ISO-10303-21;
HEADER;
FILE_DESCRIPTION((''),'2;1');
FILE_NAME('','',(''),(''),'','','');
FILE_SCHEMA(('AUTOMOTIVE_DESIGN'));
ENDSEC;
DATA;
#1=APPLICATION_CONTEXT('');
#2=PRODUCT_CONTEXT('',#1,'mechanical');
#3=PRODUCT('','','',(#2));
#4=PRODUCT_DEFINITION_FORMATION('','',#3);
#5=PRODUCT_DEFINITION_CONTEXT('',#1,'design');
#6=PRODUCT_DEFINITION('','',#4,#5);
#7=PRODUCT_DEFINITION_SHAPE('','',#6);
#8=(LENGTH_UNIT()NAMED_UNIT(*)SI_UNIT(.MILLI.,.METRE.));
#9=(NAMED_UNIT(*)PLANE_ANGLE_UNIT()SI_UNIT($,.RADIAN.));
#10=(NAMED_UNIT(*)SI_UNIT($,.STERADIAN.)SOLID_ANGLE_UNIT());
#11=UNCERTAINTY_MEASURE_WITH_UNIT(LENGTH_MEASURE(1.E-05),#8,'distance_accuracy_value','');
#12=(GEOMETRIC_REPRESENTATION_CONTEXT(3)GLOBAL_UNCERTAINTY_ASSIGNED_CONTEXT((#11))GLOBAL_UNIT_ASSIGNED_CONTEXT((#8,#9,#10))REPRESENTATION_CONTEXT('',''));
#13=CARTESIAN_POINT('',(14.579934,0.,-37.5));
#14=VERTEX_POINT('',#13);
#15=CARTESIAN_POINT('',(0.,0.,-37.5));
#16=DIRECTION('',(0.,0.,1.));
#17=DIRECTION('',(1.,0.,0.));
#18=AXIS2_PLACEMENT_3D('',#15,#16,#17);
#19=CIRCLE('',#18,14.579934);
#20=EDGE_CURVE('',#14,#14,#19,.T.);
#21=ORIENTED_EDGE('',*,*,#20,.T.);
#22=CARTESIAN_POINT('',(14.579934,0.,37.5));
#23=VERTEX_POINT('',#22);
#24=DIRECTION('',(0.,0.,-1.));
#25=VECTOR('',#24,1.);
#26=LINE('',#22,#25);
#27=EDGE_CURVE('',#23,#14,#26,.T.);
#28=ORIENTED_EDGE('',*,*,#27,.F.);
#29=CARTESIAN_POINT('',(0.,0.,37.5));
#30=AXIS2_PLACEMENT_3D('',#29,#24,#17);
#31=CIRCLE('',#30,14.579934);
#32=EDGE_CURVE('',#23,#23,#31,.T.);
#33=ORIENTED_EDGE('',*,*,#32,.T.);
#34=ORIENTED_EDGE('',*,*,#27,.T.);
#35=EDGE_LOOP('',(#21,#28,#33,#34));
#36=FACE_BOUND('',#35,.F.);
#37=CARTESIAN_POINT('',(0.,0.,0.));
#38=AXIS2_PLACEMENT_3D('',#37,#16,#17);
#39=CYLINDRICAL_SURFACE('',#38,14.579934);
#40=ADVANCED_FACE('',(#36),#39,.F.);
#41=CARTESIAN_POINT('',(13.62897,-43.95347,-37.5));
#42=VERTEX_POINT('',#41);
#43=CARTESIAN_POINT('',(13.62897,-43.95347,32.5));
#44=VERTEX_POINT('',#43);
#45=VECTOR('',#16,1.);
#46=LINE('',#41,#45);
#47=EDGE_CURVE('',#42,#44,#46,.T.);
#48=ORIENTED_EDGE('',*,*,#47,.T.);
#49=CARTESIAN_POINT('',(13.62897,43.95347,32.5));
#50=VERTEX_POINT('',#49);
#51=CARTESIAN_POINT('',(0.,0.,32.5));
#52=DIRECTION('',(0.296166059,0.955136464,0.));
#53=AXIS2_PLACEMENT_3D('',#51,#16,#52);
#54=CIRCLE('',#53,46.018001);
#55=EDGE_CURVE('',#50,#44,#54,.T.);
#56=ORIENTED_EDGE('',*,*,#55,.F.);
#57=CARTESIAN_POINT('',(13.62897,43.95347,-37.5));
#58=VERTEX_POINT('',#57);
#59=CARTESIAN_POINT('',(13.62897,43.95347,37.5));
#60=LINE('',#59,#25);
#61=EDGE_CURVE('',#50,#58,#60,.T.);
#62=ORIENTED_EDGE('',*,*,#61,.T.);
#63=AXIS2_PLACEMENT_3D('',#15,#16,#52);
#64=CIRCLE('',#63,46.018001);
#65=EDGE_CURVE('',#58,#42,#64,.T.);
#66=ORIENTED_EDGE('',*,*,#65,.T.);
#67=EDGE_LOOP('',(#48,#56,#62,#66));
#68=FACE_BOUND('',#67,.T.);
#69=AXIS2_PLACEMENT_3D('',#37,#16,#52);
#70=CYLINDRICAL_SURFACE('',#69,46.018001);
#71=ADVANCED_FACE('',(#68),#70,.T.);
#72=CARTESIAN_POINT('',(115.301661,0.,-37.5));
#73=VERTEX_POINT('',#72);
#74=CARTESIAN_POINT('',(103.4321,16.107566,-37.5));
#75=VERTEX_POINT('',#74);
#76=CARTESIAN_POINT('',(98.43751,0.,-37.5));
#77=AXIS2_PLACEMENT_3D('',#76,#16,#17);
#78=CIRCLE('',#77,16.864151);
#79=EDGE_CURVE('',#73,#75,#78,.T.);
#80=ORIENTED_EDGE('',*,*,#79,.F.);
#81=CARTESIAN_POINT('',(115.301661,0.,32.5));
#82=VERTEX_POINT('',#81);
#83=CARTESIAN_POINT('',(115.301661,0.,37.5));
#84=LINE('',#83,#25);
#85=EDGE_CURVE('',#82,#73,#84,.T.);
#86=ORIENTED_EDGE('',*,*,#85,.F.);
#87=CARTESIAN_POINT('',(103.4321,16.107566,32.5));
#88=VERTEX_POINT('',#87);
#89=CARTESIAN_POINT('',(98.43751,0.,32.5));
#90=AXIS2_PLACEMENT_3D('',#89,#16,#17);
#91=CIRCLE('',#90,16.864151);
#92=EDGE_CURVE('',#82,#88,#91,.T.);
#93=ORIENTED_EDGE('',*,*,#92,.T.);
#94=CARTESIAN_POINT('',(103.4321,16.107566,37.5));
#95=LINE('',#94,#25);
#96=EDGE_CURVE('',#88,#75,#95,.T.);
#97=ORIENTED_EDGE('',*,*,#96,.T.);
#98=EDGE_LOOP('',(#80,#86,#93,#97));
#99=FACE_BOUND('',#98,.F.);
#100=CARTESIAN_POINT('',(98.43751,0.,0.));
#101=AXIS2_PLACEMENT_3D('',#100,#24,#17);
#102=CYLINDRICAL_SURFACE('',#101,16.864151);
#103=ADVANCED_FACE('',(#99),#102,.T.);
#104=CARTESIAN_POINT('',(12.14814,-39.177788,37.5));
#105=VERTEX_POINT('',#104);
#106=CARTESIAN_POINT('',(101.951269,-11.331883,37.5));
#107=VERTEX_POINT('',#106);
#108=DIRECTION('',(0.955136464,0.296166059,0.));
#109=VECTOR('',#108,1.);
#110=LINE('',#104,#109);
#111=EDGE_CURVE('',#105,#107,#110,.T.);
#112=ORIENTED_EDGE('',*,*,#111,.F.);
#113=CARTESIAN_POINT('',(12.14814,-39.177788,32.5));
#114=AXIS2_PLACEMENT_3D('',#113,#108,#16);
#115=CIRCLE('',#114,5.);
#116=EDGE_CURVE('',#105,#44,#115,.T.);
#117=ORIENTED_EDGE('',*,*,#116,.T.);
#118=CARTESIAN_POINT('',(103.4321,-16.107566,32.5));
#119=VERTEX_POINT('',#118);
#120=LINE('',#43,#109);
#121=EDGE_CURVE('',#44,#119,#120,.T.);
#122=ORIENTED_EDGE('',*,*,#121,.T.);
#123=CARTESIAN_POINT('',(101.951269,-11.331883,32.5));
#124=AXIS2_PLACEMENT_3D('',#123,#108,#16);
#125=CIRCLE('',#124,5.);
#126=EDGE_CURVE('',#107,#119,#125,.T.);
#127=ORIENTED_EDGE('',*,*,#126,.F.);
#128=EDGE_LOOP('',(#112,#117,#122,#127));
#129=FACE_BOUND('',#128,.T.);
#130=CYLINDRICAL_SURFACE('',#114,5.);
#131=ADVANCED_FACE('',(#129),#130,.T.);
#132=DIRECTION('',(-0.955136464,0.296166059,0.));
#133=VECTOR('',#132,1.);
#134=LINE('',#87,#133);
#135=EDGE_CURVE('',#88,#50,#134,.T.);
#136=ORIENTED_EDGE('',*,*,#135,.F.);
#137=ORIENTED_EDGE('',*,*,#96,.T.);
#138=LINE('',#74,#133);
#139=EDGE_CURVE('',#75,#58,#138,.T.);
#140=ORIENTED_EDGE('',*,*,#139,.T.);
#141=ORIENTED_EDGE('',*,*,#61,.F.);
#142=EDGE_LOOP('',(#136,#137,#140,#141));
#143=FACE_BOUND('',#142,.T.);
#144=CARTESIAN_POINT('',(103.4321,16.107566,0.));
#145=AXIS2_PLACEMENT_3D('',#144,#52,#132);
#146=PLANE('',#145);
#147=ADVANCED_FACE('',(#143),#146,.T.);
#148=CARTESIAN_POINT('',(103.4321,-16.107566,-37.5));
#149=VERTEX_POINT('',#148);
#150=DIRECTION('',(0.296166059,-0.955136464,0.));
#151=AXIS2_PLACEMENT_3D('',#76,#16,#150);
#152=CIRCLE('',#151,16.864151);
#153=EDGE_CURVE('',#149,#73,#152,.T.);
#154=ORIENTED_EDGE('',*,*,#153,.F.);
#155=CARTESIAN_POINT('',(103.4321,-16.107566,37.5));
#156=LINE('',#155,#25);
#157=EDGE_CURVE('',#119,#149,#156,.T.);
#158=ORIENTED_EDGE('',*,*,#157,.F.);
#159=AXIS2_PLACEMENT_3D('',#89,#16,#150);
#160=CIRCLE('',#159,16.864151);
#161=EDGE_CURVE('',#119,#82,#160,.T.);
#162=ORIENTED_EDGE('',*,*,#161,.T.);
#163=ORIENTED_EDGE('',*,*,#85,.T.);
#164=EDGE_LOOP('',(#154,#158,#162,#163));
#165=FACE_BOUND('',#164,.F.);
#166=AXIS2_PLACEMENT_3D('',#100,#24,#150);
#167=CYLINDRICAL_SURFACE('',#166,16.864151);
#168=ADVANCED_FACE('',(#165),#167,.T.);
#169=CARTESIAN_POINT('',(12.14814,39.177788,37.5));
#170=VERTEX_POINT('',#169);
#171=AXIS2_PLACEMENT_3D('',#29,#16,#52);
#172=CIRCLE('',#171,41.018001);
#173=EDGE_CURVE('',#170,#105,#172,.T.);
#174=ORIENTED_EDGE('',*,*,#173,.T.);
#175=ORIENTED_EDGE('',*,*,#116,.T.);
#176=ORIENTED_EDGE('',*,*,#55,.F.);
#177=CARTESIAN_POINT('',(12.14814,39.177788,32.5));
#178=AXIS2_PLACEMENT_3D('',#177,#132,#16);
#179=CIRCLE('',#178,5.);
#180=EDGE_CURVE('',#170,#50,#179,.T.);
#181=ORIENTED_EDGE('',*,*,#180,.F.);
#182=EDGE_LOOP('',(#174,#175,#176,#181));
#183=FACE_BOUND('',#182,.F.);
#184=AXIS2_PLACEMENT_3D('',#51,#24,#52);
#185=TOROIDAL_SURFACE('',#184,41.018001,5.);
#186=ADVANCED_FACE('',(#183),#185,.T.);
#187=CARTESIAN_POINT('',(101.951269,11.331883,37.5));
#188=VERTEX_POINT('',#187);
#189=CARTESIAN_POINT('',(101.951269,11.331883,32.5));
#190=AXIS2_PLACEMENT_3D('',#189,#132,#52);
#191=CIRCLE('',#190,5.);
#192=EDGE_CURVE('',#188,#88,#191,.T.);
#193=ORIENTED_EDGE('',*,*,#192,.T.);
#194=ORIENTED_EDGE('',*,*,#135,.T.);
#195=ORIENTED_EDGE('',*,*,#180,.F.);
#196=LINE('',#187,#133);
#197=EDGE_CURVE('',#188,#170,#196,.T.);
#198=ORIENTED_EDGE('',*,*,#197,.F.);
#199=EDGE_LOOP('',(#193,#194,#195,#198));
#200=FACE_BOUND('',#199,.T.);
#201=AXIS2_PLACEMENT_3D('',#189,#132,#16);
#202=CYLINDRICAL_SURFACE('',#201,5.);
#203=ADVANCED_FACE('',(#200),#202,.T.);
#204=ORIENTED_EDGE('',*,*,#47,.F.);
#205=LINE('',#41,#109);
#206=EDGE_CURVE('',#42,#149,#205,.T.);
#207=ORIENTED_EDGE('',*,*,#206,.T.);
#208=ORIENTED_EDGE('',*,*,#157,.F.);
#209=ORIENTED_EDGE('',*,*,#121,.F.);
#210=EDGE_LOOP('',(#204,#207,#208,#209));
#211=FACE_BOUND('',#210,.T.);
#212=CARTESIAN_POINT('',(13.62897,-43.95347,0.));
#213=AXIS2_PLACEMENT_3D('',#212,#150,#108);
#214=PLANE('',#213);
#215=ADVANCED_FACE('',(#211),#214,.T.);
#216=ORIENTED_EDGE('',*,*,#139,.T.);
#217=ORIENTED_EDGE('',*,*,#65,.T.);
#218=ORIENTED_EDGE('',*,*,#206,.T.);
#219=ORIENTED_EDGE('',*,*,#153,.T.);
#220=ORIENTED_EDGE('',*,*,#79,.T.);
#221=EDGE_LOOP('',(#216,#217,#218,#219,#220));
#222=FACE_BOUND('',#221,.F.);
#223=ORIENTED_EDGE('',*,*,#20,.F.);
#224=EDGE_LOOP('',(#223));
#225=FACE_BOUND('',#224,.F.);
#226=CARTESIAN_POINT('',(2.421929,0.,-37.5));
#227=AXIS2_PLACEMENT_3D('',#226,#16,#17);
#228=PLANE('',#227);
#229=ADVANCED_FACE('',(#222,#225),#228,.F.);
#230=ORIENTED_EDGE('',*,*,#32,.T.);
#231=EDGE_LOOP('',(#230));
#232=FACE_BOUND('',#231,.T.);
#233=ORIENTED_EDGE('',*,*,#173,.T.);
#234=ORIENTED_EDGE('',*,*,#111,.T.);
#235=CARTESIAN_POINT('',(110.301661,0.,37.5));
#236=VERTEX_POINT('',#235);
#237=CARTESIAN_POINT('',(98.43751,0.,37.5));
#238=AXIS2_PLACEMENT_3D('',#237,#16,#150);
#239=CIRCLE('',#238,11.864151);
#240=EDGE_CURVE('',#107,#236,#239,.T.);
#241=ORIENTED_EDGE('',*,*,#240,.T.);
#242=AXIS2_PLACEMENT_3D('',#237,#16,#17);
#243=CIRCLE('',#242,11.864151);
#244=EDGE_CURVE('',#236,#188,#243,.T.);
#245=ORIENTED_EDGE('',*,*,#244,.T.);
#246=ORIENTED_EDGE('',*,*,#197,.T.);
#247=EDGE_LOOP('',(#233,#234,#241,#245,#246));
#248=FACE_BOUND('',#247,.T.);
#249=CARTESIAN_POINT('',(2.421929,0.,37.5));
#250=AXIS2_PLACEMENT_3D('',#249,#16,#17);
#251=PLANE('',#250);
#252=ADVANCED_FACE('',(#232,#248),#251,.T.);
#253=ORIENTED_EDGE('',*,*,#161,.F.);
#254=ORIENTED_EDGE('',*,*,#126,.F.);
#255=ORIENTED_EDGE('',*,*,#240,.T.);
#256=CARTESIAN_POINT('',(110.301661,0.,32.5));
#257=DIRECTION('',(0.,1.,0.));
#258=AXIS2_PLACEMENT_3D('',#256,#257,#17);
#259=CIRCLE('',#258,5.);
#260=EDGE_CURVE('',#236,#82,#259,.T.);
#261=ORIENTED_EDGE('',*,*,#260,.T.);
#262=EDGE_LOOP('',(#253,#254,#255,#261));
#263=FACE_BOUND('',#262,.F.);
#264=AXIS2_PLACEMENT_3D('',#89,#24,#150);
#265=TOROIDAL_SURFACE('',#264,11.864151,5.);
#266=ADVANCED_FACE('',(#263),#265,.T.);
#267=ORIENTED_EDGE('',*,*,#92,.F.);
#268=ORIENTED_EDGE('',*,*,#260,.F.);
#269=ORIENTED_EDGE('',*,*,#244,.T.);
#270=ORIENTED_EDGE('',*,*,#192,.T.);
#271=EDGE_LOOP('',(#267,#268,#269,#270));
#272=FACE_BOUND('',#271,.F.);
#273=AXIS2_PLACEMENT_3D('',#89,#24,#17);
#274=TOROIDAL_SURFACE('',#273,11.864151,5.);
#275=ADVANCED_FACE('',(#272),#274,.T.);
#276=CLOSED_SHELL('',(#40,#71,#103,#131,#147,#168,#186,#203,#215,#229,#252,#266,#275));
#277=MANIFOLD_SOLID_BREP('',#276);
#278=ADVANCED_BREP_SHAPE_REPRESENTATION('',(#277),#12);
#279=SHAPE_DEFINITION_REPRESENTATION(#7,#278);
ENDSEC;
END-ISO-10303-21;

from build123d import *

# Parameters (mm, degrees)
F1_DEPTH      = 37.5
F2_R          = 14.5799335076
F3_DEPTH      = 37.501
F3_DEPTH_BACK = 37.501
F4_R          = 5


with BuildPart() as f1:
    # F0 (on Top) → F1 (new body, symmetric)
    with BuildSketch(Plane.XY):
        with BuildLine():
            ThreePointArc((13.6289698518, -43.9534703049), (37.0461490082, -27.2990698509), (46.0180005113, 0))
            ThreePointArc((46.0180005113, 0), (37.0461490082, 27.2990698509), (13.6289698518, 43.9534703049))
            ThreePointArc((13.6289698518, 43.9534703049), (-46.0180005113, 0), (13.6289698518, -43.9534703049))
        make_face()
        with BuildLine():
            ThreePointArc((13.6289698518, 43.9534703049), (37.0461490082, 27.2990698509), (46.0180005113, 0))
            ThreePointArc((46.0180005113, 0), (37.0461490082, -27.2990698509), (13.6289698518, -43.9534703049))
            Line((13.6289698518, -43.9534703049), (103.4320995684, -16.1075655557))
            ThreePointArc((103.4320995684, -16.1075655557), (81.5733594357, 0), (103.4320995684, 16.1075655557))
            Line((103.4320995684, 16.1075655557), (13.6289698518, 43.9534703049))
        make_face()
        with BuildLine():
            ThreePointArc((115.3016614259, 0), (112.0137598054, 10.0042511816), (103.4320995684, 16.1075655557))
            ThreePointArc((103.4320995684, 16.1075655557), (81.5733594357, 0), (103.4320995684, -16.1075655557))
            ThreePointArc((103.4320995684, -16.1075655557), (112.0137598054, -10.0042511816), (115.3016614259, 0))
        make_face()
    extrude(amount=F1_DEPTH, both=True)

    # F2 (on Top) → F3 (cut, two sides)
    with BuildSketch(Plane.XY) as f3_sk:
        Circle(F2_R)
    extrude(amount=-F3_DEPTH, mode=Mode.SUBTRACT)
    extrude(f3_sk.sketch, amount=F3_DEPTH_BACK, mode=Mode.SUBTRACT)

    # F4
    f4_edges = [f1.edges().sort_by_distance(p)[0] for p in [
        (58.530535, -30.030518, 37.5),
    ]]
    fillet(f4_edges, radius=F4_R)


solid = f1.part
